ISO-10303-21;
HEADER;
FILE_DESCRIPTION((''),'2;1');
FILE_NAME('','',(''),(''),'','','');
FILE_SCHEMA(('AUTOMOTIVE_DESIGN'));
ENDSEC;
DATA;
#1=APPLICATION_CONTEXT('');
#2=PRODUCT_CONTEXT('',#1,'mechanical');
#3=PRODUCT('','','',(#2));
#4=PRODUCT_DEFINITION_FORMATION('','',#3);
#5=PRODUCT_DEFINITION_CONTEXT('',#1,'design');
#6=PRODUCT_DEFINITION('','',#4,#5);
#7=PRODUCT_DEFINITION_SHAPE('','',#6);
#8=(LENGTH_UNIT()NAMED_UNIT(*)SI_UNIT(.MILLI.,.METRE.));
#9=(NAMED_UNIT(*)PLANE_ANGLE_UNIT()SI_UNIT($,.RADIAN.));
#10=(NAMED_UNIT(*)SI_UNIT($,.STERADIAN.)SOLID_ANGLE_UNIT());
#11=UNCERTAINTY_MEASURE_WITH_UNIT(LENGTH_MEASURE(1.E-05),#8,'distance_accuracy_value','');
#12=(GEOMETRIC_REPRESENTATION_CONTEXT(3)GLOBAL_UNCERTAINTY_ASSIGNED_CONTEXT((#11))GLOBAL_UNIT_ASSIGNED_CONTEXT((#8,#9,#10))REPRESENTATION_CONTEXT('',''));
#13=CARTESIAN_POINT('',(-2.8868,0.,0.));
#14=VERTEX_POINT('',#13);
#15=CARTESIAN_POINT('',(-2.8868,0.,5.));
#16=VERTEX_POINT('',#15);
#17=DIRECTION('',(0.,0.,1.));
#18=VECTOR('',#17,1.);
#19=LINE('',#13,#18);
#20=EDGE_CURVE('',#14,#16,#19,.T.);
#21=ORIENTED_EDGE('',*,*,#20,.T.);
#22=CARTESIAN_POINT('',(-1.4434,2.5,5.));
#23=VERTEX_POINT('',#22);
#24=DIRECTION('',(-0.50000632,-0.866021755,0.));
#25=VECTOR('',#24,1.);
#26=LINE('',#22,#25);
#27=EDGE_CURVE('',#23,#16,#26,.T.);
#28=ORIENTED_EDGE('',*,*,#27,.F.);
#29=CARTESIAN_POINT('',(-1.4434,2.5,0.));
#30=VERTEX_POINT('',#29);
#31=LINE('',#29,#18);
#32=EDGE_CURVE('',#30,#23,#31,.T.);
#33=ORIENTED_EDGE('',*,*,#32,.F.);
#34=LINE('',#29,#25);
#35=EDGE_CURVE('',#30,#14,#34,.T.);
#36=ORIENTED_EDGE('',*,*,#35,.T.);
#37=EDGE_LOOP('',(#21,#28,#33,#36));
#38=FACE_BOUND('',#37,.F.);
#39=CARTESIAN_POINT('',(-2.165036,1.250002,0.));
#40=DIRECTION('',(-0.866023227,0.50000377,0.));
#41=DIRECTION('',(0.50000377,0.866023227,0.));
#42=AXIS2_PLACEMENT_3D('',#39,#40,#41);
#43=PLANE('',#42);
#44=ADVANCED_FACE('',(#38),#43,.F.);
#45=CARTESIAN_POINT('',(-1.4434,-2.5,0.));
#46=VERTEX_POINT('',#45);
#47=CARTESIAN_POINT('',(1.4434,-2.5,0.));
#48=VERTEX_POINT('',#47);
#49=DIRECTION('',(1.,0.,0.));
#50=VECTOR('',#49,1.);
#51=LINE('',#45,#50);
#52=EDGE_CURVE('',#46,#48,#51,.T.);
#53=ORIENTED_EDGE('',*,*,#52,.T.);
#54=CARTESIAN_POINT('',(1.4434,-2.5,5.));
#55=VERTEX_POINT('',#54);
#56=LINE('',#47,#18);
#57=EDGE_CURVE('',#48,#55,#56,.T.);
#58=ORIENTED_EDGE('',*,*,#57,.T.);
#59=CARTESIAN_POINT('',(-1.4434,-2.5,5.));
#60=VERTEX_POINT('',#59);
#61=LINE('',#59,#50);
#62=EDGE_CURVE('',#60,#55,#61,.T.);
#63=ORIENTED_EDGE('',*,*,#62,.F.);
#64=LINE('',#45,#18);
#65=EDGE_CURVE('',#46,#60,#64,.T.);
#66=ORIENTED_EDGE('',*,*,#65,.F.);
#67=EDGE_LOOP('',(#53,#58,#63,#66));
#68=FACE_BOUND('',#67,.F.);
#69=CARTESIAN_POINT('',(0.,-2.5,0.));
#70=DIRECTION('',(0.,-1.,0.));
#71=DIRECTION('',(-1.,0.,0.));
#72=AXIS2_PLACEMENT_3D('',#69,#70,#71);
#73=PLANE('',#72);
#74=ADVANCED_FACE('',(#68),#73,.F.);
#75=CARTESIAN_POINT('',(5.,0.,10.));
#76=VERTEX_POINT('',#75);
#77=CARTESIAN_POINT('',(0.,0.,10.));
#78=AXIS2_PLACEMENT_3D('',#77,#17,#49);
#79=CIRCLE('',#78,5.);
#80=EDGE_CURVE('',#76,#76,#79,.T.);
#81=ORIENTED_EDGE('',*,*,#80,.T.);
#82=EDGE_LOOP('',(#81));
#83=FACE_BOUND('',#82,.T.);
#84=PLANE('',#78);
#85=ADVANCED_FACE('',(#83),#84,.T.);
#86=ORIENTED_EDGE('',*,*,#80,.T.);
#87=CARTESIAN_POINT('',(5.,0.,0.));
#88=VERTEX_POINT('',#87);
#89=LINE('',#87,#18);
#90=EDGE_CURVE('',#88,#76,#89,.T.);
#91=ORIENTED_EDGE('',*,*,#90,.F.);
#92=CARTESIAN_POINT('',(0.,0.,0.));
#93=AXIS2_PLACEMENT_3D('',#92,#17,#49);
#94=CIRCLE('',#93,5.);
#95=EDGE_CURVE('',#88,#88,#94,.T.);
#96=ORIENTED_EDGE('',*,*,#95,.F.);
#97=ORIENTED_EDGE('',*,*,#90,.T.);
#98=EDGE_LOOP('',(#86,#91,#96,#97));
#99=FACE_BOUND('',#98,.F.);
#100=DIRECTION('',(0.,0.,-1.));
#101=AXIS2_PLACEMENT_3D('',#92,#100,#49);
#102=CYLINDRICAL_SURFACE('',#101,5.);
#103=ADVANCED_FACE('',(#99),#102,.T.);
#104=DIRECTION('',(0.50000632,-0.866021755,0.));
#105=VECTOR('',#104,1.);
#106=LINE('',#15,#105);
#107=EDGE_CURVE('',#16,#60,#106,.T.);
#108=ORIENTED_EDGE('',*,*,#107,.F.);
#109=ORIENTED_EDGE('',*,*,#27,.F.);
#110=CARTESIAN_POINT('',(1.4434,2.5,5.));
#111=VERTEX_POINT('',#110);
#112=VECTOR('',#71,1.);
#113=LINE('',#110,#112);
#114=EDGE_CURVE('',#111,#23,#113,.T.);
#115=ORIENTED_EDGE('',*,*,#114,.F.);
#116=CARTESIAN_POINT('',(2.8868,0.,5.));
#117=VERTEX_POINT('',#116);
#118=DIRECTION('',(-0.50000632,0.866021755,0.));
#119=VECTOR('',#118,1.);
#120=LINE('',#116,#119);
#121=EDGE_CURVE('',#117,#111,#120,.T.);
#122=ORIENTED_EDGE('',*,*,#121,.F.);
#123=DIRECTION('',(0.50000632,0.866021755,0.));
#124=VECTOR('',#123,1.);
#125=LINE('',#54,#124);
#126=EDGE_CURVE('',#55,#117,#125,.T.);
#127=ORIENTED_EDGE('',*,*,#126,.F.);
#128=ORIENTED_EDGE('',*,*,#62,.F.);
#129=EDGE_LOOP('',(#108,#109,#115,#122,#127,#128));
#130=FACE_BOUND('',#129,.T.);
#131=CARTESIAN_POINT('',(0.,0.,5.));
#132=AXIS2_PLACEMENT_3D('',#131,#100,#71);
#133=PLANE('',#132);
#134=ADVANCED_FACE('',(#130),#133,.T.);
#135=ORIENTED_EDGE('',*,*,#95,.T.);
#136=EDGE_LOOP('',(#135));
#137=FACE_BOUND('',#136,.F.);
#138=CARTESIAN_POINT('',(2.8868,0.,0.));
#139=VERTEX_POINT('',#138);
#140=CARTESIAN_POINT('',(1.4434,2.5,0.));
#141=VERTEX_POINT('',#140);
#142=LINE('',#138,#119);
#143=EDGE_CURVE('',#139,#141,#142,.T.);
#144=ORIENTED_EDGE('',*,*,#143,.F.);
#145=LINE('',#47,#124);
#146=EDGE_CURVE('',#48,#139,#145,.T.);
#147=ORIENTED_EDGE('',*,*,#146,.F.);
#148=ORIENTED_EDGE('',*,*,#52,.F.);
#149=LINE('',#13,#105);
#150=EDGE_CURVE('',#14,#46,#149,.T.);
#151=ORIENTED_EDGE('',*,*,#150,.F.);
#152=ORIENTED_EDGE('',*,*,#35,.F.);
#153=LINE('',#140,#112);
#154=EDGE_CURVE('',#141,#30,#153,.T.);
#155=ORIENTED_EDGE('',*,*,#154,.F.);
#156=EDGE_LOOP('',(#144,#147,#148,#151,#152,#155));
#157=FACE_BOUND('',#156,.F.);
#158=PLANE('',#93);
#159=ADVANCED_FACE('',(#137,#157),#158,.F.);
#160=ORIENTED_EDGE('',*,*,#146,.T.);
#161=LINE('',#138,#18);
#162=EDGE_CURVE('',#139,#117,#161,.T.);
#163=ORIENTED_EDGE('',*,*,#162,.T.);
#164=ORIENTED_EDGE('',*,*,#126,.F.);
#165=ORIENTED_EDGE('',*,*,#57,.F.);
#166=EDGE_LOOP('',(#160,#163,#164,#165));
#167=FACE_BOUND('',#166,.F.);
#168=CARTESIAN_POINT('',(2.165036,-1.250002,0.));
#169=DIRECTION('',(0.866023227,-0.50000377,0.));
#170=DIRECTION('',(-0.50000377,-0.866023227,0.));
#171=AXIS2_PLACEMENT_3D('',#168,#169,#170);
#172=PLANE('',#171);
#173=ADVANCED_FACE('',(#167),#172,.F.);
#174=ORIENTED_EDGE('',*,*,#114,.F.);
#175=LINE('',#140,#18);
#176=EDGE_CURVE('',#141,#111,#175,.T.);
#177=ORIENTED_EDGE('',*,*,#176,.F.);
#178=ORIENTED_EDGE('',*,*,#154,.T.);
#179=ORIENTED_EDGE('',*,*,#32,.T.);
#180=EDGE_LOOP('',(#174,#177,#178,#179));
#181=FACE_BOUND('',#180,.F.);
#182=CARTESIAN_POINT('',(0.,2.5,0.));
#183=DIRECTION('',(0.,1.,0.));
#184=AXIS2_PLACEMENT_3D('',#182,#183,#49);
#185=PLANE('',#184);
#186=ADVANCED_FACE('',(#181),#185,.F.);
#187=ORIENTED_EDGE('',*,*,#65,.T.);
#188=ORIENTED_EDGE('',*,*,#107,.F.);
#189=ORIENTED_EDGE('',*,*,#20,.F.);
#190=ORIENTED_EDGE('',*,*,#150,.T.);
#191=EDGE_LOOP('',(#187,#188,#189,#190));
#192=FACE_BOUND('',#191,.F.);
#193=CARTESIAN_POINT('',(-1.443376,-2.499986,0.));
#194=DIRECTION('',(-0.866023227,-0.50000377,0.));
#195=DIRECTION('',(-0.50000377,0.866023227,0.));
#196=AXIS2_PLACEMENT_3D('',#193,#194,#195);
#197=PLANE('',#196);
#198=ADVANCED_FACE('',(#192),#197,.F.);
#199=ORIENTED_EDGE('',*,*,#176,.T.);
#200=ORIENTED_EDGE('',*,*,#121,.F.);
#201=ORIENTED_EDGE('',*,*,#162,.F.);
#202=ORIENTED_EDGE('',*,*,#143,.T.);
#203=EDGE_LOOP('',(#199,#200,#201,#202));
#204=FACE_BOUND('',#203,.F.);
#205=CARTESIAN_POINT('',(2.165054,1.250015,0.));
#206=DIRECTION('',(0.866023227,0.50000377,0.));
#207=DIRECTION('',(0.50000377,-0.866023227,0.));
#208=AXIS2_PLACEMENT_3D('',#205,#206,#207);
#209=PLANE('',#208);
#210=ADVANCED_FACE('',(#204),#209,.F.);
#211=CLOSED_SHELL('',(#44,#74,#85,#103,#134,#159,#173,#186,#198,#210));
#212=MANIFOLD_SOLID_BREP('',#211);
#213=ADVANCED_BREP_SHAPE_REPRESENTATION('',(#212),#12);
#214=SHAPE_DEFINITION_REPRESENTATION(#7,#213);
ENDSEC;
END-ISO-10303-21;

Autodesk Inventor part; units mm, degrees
ref_plane "YZ Plane" through (0, 0, 0) normal (1, 0, 0) x (0, 1, 0)
ref_plane "XZ Plane" through (0, 0, 0) normal (0, 1, 0) x (-1, 0, 0)
ref_plane "XY Plane" through (0, 0, 0) normal (0, 0, 1) x (1, 0, 0)
sketch "Sketch1" plane through (0, 0, 0) normal (0, 0, 1) x (1, 0, 0)
  circle A0 centre (0, 0) radius 5
  dimension "d0" = 10
extrude "Extrusion1" add sketch "Sketch1" along normal blind 10
thread "Thread1" size "M10x1.5" class "6g" standard "ANSI Metric M Profile" full length
sketch "Sketch2" plane through (0, 0, 0) normal (0, 0, -1) x (-1, 0, 0)
  circle A0 centre (0, 0) radius 5 projected
  circle A1 centre (0, 0) radius 2.5
  line L0 (-1.8795, -2.5) -> (1.9053, -2.5)
  line L1 (1.2253, -2.8777) -> (3.1177, 0.4)
  line L2 (3.1048, -0.3777) -> (1.2124, 2.9)
  line L3 (1.8795, 2.5) -> (-1.9053, 2.5)
  line L4 (-1.2253, 2.8777) -> (-3.1177, -0.4)
  line L5 (-3.1048, 0.3777) -> (-1.2124, -2.9)
  line L6 (-1.4434, 2.5) -> (1.4434, 2.5)
  line L7 (1.4434, 2.5) -> (2.8868, 0)
  line L8 (2.8868, 0) -> (1.4434, -2.5)
  line L9 (1.4434, -2.5) -> (-1.4434, -2.5)
  line L10 (-1.4434, -2.5) -> (-2.8868, 0)
  line L11 (-2.8868, 0) -> (-1.4434, 2.5)
  dimension "d5" = 5
  dimension "d8" = 360
extrude "Extrusion2" cut sketch "Sketch2" against normal blind 5 contours A1 | A1 L2 L1 | A1 L3 L2 | L1 L0 A1 | A1 L4 L3 | L0 L5 A1 | A1 L5 L4
properties part number "Pusher.Socketscrew"
